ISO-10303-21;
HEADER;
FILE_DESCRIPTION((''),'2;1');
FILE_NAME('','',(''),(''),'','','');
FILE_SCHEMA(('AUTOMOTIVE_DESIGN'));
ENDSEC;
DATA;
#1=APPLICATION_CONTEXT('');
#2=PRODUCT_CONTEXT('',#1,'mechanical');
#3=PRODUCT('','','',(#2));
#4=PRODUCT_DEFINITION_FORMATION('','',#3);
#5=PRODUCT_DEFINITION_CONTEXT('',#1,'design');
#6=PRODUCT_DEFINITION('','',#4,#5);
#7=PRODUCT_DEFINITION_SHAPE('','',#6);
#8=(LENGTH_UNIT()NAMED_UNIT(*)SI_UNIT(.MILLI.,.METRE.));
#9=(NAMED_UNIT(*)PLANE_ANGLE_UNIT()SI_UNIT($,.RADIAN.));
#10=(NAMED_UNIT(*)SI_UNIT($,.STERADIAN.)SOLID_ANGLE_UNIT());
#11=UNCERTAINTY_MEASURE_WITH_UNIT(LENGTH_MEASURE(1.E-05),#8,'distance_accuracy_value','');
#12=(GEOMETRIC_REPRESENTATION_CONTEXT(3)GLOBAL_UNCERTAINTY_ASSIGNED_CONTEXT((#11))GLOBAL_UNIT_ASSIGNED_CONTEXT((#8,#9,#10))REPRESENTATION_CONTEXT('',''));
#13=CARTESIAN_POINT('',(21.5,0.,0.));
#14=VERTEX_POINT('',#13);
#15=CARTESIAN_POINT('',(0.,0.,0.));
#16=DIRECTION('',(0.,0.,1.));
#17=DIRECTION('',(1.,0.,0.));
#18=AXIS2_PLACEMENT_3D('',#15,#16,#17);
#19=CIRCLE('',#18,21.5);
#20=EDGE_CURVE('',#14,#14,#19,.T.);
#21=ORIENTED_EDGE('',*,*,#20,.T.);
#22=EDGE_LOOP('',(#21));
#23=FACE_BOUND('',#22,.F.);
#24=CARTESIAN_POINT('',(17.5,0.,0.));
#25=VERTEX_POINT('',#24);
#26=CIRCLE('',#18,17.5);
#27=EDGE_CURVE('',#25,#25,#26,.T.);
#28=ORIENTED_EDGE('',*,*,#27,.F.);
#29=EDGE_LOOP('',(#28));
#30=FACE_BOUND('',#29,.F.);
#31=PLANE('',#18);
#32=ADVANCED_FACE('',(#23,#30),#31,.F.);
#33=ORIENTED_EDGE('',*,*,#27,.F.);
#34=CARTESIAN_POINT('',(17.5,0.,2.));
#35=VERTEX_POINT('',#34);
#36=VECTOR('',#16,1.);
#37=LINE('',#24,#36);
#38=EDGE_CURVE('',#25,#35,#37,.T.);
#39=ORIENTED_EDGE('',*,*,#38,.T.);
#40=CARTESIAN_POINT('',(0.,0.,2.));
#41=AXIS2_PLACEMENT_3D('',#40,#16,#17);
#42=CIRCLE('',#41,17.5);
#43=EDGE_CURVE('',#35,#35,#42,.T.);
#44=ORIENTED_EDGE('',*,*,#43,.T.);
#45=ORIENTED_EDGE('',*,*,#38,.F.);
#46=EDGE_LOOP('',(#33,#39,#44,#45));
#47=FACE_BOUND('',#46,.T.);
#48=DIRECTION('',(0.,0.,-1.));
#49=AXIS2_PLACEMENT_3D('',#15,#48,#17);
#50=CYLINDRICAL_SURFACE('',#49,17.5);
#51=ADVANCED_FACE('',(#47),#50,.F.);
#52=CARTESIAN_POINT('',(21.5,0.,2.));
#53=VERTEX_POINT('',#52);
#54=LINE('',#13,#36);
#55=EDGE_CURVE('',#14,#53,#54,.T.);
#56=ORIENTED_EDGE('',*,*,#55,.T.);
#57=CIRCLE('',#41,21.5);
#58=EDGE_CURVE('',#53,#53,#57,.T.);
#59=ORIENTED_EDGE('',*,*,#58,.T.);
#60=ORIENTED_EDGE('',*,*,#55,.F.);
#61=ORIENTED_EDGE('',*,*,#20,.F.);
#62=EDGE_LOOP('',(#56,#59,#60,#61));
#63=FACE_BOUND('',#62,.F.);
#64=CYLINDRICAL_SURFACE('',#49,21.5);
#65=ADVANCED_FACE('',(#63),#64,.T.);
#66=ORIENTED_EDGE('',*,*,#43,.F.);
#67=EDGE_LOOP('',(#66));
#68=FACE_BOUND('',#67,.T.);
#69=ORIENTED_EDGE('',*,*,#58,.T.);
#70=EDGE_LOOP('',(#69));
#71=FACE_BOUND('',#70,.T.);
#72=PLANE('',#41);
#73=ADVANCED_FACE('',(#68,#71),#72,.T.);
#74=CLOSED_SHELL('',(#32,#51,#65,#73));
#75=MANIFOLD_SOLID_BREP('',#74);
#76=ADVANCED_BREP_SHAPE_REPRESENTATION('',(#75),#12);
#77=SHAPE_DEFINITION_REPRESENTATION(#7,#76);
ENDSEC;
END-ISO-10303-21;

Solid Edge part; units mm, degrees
sketch "Sketch1" plane through (0, 0, 0) normal (0, 0, 1) x (1, 0, 0)
  circle A0 centre (0, 0) radius 21.5
  circle A1 centre (0, 0) radius 17.5
extrude "Protrusion1" add sketch "Sketch1" along normal blind 2
properties material "Szilikon"
